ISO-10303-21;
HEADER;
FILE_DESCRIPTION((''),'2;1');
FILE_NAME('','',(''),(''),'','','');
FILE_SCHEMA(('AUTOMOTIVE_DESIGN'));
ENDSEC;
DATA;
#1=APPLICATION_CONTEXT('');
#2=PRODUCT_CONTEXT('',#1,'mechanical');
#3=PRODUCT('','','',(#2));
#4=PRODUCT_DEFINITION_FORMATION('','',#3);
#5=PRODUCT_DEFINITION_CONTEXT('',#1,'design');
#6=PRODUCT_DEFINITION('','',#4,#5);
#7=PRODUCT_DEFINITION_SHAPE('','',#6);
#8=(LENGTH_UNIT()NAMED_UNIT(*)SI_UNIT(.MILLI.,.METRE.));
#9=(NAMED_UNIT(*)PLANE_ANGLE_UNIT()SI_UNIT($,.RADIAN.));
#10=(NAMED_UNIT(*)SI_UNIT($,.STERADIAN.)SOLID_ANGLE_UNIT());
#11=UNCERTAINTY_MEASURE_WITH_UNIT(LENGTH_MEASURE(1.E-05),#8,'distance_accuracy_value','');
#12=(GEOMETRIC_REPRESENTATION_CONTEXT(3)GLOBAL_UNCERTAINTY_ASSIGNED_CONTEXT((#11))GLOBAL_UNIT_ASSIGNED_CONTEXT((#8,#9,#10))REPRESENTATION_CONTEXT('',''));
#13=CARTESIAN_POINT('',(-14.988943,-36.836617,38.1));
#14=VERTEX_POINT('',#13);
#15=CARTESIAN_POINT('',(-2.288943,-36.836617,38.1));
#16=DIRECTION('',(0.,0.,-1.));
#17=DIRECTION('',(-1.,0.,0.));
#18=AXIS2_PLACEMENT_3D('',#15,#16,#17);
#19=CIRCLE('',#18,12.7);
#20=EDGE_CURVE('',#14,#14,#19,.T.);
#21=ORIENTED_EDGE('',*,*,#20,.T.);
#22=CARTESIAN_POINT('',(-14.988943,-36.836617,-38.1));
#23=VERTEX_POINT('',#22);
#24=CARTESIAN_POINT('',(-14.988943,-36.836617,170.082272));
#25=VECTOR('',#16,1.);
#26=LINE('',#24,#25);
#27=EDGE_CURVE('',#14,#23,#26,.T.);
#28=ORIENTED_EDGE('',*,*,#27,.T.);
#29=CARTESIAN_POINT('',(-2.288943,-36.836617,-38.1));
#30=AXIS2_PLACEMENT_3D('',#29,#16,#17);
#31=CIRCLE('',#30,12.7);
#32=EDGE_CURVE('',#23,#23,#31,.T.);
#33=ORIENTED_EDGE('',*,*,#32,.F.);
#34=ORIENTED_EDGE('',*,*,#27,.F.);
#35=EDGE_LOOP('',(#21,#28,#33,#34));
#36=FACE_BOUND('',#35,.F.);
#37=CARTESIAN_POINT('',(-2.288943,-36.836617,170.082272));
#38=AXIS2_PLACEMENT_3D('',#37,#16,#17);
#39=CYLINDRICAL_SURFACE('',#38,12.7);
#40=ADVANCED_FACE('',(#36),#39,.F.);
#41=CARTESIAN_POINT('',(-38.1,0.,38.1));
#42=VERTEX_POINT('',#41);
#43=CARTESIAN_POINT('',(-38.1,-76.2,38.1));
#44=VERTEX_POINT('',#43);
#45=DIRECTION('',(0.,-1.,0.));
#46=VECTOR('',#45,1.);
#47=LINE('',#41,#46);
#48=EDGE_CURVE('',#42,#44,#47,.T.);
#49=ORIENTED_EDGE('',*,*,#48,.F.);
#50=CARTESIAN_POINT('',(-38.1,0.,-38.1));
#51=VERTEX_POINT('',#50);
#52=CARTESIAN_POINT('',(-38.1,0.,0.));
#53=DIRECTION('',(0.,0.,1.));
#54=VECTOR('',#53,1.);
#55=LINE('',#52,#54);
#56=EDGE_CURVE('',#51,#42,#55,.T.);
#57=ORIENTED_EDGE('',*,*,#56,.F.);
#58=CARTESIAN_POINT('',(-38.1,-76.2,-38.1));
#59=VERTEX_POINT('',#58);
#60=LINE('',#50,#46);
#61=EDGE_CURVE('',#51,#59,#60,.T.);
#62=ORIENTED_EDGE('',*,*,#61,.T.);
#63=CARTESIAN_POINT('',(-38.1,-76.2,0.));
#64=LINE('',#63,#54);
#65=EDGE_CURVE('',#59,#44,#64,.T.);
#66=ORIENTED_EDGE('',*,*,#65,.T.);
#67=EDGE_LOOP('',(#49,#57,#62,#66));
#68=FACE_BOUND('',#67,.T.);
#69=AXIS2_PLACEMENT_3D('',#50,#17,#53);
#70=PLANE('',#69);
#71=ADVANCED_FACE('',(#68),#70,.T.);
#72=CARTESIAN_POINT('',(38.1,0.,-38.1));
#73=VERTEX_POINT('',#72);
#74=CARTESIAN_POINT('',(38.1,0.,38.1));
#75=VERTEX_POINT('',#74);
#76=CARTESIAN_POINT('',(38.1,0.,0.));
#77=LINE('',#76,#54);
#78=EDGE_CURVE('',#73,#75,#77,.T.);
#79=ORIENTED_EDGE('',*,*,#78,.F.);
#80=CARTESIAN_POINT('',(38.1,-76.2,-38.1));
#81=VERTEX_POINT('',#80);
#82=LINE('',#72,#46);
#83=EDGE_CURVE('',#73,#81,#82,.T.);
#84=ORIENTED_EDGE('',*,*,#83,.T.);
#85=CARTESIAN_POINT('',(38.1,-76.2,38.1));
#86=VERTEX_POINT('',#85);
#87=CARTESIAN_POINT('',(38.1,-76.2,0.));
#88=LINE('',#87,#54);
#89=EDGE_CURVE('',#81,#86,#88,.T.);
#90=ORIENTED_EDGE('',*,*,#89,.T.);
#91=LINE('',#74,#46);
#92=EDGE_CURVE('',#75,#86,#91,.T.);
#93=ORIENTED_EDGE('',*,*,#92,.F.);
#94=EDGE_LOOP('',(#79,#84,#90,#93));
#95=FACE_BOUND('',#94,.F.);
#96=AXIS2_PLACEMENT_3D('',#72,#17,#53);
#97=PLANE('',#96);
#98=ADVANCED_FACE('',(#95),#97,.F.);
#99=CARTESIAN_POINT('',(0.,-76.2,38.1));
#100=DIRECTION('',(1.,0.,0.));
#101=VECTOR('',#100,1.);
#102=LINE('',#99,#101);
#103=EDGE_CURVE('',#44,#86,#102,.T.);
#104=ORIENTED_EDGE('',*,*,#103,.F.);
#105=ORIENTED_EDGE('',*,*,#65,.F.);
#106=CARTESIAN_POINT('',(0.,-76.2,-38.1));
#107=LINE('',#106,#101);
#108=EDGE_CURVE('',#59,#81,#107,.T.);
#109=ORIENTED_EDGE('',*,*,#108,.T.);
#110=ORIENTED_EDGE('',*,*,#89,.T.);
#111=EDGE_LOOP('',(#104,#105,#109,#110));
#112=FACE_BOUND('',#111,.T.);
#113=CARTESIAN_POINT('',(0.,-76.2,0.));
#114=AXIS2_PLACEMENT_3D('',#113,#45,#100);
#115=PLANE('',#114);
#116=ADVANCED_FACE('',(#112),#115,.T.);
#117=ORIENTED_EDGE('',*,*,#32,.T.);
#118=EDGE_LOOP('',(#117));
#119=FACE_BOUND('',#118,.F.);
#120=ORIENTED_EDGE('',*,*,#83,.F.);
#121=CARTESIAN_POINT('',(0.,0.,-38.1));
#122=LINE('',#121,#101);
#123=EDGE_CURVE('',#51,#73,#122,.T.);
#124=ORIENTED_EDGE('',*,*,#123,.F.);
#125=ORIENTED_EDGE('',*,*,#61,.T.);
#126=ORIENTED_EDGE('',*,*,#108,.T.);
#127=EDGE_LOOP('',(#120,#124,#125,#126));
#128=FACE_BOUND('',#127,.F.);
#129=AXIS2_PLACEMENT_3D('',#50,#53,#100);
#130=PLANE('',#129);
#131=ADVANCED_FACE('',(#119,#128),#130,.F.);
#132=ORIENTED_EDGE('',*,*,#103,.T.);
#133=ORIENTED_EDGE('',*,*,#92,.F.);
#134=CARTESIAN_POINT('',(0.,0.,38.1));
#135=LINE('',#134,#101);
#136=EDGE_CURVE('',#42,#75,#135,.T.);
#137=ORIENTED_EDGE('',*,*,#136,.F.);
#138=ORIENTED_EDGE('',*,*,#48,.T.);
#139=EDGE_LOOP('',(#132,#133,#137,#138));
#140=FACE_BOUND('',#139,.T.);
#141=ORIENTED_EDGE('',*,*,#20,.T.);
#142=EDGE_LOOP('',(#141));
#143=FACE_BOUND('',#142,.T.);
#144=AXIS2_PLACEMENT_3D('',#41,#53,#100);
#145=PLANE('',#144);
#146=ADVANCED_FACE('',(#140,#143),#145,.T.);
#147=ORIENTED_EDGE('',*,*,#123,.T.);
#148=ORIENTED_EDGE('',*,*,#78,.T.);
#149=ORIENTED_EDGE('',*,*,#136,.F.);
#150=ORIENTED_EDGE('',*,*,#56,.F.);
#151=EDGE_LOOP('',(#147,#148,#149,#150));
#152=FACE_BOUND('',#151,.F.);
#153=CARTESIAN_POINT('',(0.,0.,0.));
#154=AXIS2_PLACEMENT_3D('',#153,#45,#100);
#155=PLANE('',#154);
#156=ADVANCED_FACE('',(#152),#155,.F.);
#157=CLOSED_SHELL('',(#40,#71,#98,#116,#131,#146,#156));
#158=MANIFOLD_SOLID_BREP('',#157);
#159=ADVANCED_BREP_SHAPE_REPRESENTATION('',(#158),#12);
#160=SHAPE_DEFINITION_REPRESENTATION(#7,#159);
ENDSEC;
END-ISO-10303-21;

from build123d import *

# Parameters (mm, degrees)
F0_W     = 76.2
F0_H     = 76.2
F1_DEPTH = 76.2
F3_D     = 25.4


with BuildPart() as f1:
    # F0 (on Front) → F1 (new body)
    with BuildSketch(Plane.XZ):
        Rectangle(F0_W, F0_H)
    extrude(amount=F1_DEPTH)

    # F3 (through all)
    with Locations(Plane.XY.offset(38.1)):
        with Locations((-2.288943, -36.836617)):
            Hole(F3_D / 2)


solid = f1.part
